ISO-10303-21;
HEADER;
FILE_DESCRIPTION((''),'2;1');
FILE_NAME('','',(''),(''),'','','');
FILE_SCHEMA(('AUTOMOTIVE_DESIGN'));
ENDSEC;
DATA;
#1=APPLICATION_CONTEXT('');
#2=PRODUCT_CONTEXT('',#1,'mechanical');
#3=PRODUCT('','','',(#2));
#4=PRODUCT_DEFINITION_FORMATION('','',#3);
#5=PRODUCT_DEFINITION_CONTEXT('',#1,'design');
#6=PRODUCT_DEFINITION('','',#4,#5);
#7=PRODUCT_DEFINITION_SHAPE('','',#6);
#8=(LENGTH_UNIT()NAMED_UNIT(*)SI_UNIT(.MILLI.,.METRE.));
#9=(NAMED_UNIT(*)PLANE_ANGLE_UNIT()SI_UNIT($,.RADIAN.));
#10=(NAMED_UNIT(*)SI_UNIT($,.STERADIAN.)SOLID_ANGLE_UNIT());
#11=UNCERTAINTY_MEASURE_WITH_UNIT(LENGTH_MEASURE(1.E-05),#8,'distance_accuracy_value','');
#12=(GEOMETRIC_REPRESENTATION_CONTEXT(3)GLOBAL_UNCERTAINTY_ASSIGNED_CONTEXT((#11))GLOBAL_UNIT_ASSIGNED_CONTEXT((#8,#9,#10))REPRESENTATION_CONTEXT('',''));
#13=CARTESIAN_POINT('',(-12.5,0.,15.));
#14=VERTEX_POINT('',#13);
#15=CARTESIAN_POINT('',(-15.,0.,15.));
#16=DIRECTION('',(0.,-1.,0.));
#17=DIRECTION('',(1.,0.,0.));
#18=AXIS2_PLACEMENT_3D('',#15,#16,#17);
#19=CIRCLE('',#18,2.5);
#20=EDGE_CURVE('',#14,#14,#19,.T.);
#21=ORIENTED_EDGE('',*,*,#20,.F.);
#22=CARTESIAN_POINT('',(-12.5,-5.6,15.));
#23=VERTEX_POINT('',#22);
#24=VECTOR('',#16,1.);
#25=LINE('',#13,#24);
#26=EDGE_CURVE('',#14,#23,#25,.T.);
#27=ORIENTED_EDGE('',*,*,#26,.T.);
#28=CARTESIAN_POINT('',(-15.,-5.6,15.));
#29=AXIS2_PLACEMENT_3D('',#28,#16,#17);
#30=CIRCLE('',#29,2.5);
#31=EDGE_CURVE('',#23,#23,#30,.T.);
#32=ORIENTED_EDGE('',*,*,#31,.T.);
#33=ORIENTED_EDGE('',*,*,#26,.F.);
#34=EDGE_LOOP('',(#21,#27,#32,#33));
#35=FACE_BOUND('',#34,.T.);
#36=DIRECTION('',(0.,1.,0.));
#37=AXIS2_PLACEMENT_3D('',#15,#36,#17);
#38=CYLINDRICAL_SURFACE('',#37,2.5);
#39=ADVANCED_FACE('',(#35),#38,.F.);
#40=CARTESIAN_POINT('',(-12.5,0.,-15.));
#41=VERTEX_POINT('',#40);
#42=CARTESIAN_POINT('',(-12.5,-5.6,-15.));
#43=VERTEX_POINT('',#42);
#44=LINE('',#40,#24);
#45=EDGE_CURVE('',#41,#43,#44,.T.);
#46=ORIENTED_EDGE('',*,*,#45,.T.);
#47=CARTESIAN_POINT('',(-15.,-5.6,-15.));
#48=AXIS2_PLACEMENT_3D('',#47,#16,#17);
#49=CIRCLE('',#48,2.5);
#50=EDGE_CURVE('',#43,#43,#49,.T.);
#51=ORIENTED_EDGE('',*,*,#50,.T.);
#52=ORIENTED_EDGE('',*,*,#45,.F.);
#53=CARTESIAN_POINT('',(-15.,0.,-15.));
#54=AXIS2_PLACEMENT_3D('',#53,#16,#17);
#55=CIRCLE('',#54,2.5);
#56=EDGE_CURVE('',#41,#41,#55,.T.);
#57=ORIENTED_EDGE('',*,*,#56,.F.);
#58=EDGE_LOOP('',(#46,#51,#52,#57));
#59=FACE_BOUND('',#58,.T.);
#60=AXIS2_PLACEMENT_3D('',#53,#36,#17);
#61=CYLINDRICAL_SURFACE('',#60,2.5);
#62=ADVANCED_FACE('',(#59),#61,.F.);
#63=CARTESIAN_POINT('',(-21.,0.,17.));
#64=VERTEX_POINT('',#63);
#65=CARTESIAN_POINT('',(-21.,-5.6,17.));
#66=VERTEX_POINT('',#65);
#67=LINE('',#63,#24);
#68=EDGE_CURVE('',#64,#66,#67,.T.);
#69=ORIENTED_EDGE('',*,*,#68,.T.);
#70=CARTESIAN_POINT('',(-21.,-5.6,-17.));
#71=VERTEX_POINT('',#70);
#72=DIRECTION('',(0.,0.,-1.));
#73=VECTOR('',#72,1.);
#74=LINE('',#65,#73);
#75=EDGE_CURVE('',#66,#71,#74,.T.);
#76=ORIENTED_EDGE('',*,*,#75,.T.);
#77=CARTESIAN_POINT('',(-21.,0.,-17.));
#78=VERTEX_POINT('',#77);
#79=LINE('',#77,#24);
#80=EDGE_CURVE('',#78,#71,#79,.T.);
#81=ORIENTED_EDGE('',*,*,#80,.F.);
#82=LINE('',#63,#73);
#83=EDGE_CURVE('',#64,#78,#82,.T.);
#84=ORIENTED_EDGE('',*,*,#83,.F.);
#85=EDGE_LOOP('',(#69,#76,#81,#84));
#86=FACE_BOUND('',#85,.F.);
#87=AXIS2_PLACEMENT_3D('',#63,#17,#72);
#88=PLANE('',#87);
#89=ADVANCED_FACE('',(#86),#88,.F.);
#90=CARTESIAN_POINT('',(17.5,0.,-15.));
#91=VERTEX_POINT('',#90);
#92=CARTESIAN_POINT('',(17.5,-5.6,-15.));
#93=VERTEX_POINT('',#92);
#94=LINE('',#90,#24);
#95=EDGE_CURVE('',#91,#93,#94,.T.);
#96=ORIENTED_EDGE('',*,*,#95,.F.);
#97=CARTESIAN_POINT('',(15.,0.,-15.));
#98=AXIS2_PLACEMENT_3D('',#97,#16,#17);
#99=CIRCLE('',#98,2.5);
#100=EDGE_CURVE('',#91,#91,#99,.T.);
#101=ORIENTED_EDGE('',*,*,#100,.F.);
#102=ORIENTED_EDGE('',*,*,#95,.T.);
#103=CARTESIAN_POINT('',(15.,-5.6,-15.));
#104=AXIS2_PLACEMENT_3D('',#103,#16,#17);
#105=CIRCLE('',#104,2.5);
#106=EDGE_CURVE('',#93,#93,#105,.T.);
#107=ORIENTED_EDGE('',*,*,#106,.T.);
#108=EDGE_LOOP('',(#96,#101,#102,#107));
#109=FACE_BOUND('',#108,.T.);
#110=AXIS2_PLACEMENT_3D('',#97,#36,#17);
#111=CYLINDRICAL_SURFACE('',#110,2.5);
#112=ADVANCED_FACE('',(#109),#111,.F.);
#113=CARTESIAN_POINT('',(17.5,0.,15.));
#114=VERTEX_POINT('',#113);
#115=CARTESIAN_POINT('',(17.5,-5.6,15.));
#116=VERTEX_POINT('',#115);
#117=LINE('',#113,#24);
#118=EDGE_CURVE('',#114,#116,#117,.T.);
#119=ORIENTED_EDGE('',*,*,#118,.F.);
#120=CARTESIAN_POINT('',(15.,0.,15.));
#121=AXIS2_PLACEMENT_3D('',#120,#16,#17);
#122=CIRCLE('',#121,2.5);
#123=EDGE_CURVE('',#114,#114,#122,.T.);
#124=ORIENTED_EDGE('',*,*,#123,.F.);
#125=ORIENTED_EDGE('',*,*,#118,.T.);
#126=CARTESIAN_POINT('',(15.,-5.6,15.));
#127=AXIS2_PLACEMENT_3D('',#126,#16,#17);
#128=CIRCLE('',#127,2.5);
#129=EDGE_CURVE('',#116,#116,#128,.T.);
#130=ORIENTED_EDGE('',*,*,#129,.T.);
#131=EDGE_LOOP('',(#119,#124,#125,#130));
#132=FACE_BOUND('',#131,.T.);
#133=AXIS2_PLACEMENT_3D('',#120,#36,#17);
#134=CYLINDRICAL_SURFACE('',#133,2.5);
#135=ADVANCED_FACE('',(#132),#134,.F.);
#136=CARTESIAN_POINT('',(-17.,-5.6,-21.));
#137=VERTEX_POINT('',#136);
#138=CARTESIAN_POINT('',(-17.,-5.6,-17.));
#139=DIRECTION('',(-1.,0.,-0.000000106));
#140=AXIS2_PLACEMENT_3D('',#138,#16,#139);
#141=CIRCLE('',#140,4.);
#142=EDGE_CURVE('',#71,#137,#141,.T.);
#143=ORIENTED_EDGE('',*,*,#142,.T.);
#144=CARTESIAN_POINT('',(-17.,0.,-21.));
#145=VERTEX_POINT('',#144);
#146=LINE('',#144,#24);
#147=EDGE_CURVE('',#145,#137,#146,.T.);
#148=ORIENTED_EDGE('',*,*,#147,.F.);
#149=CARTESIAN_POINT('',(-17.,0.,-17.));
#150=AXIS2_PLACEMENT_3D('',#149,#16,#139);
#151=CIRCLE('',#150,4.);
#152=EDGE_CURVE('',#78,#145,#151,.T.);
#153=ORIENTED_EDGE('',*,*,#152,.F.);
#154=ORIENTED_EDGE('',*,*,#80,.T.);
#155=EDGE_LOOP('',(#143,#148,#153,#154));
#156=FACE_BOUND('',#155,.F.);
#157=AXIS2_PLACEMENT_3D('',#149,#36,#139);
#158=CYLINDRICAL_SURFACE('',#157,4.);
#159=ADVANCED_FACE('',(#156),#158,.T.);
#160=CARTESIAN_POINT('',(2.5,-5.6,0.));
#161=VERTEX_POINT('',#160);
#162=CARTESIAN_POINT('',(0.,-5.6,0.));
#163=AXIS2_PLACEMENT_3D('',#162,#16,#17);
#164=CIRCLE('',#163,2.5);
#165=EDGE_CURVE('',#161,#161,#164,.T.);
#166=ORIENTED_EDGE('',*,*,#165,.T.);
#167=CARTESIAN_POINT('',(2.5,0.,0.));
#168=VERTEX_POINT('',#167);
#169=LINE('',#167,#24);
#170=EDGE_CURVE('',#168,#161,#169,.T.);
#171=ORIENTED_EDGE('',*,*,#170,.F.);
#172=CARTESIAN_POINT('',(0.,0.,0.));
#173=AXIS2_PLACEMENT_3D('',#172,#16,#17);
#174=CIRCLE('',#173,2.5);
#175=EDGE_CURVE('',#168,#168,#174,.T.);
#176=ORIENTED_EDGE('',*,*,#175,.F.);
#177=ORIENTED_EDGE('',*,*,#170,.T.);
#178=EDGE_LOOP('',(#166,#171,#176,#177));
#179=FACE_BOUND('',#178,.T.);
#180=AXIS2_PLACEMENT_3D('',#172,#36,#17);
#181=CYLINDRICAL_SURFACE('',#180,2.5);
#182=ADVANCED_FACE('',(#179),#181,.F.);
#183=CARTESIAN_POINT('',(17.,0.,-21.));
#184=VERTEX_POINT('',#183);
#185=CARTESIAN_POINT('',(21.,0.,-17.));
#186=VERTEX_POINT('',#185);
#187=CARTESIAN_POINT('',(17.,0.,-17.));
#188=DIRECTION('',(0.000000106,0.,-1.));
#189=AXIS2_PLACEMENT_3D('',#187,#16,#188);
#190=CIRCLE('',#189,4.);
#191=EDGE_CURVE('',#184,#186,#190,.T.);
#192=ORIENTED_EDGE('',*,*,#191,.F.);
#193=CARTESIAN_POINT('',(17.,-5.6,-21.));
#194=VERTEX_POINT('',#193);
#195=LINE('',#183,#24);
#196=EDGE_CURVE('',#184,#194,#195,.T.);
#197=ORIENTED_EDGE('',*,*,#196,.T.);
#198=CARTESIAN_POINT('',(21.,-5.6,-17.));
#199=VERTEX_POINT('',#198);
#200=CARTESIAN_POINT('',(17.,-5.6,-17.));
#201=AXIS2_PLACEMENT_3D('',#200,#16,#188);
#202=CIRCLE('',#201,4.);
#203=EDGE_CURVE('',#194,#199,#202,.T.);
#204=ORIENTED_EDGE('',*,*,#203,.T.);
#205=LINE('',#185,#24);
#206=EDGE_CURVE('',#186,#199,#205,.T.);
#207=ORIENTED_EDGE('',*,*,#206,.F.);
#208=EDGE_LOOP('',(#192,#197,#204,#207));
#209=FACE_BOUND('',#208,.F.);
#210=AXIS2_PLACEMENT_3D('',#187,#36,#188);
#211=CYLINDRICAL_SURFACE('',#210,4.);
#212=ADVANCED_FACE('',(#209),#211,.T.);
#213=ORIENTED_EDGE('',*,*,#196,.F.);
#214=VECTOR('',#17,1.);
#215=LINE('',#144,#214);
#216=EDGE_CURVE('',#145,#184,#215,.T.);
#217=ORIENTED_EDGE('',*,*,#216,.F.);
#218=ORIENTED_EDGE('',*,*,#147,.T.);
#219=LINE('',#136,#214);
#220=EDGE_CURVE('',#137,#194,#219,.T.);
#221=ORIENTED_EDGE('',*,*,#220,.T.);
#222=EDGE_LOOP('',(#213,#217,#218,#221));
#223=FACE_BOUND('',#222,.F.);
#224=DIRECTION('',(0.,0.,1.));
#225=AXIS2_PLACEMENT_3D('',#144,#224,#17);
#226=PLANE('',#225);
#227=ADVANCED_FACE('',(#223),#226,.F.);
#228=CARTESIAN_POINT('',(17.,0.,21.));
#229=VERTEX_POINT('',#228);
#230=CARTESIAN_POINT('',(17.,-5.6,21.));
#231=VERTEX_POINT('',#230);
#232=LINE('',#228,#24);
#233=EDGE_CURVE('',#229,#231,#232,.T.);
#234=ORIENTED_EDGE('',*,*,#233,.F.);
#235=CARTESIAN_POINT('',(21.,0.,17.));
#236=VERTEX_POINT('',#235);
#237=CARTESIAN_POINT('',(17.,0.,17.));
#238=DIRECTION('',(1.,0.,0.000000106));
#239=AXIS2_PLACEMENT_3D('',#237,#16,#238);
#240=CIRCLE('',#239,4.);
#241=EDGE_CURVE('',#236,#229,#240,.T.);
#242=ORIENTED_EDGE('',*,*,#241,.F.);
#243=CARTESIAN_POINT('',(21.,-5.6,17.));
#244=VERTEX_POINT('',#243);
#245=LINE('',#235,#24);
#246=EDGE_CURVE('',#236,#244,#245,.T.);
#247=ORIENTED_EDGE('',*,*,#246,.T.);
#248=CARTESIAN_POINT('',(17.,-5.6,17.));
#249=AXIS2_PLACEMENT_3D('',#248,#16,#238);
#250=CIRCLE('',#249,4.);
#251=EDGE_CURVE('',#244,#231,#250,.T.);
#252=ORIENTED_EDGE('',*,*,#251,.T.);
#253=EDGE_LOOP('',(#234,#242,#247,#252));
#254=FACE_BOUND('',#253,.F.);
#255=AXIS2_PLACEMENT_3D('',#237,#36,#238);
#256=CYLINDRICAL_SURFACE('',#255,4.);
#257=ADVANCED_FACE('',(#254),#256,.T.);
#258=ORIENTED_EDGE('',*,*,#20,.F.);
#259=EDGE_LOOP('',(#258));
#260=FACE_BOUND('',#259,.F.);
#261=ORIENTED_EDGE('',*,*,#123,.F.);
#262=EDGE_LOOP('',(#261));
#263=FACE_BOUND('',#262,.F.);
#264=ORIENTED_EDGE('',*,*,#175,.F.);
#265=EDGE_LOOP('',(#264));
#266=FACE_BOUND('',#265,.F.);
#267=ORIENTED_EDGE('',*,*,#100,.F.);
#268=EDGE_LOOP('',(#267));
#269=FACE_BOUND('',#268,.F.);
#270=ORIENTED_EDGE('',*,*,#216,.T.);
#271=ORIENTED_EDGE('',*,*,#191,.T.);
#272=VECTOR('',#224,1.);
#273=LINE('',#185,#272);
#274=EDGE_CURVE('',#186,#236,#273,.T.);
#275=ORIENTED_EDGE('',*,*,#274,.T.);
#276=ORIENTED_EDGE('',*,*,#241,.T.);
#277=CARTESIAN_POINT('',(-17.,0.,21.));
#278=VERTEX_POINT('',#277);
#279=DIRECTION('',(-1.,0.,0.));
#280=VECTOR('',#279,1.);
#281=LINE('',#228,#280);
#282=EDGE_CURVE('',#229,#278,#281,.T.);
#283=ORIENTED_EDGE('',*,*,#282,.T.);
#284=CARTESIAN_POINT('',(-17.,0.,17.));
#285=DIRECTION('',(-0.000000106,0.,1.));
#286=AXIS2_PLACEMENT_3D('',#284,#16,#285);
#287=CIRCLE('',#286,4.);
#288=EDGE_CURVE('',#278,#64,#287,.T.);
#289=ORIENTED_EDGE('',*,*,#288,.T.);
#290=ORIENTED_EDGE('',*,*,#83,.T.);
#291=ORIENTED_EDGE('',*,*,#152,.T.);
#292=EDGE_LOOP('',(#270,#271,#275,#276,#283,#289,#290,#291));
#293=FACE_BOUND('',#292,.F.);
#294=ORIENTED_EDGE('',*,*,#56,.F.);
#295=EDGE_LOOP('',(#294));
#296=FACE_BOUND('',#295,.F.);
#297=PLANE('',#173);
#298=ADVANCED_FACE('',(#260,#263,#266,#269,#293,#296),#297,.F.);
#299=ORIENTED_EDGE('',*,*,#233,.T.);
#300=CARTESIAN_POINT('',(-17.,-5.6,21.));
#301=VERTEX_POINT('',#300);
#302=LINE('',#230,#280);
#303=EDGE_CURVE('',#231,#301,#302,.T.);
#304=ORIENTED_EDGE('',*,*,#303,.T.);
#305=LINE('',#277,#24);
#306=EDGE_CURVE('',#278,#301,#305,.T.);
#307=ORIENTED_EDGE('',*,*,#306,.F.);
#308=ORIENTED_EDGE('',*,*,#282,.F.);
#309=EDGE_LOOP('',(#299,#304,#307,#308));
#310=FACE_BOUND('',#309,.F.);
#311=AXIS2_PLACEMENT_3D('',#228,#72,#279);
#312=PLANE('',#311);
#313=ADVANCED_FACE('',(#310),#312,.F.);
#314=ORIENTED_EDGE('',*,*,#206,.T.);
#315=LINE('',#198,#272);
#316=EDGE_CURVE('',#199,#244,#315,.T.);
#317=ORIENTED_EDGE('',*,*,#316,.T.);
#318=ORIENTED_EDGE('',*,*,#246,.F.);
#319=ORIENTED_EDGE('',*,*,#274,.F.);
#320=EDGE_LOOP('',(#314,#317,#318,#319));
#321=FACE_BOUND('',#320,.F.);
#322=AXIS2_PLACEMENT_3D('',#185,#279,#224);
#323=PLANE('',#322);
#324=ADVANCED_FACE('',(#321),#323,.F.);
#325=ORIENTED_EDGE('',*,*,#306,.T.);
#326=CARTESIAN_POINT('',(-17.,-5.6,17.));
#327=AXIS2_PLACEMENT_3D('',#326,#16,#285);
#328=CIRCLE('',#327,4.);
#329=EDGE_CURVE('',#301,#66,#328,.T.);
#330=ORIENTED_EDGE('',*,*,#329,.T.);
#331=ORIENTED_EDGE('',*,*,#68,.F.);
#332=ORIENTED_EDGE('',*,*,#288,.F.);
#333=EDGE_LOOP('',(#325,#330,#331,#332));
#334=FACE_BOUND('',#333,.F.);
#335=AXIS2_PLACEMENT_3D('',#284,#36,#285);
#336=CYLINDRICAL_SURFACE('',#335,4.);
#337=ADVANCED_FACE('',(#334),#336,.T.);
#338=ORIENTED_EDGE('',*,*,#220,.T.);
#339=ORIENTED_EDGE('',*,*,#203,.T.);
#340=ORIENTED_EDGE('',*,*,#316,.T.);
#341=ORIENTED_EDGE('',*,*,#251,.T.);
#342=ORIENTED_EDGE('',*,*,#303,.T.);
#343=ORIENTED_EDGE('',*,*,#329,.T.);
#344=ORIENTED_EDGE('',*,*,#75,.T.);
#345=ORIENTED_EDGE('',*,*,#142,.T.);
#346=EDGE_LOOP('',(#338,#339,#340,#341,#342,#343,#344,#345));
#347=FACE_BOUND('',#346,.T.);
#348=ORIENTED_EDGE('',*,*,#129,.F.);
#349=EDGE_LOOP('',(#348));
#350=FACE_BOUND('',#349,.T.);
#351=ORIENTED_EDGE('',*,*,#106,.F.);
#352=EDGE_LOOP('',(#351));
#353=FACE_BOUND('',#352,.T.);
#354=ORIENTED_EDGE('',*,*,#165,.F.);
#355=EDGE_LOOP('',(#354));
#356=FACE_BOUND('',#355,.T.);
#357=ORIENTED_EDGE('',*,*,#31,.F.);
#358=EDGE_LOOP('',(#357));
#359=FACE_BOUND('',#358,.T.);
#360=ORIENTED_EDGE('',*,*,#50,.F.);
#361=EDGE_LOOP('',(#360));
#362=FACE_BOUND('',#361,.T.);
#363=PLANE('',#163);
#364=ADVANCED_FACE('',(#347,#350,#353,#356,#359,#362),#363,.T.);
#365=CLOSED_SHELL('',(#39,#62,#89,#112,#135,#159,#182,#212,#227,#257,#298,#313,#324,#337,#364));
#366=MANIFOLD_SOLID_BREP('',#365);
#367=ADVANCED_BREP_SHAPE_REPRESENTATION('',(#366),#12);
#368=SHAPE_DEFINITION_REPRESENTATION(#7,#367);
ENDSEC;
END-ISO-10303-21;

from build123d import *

# Parameters (mm, degrees)
F0_R     = 2.5
F1_DEPTH = 5.6


with BuildPart() as f1:
    # F0 (on Front) → F1 (new body)
    with BuildSketch(Plane.XZ):
        with BuildLine():
            ThreePointArc((21, 17), (19.828427, 19.828427), (17, 21))
            Line((17, 21), (-17, 21))
            ThreePointArc((-17, 21), (-19.828427, 19.828427), (-21, 17))
            Line((-21, 17), (-21, -17))
            ThreePointArc((-21, -17), (-19.828427, -19.828427), (-17, -21))
            Line((-17, -21), (17, -21))
            ThreePointArc((17, -21), (19.828427, -19.828427), (21, -17))
            Line((21, -17), (21, 17))
        make_face()
        with Locations((-15, -15)):
            Circle(F0_R, mode=Mode.SUBTRACT)
        with Locations((15, -15)):
            Circle(F0_R, mode=Mode.SUBTRACT)
        with Locations((-15, 15)):
            Circle(F0_R, mode=Mode.SUBTRACT)
        Circle(F0_R, mode=Mode.SUBTRACT)
        with Locations((15, 15)):
            Circle(F0_R, mode=Mode.SUBTRACT)
    extrude(amount=F1_DEPTH)


solid = f1.part
